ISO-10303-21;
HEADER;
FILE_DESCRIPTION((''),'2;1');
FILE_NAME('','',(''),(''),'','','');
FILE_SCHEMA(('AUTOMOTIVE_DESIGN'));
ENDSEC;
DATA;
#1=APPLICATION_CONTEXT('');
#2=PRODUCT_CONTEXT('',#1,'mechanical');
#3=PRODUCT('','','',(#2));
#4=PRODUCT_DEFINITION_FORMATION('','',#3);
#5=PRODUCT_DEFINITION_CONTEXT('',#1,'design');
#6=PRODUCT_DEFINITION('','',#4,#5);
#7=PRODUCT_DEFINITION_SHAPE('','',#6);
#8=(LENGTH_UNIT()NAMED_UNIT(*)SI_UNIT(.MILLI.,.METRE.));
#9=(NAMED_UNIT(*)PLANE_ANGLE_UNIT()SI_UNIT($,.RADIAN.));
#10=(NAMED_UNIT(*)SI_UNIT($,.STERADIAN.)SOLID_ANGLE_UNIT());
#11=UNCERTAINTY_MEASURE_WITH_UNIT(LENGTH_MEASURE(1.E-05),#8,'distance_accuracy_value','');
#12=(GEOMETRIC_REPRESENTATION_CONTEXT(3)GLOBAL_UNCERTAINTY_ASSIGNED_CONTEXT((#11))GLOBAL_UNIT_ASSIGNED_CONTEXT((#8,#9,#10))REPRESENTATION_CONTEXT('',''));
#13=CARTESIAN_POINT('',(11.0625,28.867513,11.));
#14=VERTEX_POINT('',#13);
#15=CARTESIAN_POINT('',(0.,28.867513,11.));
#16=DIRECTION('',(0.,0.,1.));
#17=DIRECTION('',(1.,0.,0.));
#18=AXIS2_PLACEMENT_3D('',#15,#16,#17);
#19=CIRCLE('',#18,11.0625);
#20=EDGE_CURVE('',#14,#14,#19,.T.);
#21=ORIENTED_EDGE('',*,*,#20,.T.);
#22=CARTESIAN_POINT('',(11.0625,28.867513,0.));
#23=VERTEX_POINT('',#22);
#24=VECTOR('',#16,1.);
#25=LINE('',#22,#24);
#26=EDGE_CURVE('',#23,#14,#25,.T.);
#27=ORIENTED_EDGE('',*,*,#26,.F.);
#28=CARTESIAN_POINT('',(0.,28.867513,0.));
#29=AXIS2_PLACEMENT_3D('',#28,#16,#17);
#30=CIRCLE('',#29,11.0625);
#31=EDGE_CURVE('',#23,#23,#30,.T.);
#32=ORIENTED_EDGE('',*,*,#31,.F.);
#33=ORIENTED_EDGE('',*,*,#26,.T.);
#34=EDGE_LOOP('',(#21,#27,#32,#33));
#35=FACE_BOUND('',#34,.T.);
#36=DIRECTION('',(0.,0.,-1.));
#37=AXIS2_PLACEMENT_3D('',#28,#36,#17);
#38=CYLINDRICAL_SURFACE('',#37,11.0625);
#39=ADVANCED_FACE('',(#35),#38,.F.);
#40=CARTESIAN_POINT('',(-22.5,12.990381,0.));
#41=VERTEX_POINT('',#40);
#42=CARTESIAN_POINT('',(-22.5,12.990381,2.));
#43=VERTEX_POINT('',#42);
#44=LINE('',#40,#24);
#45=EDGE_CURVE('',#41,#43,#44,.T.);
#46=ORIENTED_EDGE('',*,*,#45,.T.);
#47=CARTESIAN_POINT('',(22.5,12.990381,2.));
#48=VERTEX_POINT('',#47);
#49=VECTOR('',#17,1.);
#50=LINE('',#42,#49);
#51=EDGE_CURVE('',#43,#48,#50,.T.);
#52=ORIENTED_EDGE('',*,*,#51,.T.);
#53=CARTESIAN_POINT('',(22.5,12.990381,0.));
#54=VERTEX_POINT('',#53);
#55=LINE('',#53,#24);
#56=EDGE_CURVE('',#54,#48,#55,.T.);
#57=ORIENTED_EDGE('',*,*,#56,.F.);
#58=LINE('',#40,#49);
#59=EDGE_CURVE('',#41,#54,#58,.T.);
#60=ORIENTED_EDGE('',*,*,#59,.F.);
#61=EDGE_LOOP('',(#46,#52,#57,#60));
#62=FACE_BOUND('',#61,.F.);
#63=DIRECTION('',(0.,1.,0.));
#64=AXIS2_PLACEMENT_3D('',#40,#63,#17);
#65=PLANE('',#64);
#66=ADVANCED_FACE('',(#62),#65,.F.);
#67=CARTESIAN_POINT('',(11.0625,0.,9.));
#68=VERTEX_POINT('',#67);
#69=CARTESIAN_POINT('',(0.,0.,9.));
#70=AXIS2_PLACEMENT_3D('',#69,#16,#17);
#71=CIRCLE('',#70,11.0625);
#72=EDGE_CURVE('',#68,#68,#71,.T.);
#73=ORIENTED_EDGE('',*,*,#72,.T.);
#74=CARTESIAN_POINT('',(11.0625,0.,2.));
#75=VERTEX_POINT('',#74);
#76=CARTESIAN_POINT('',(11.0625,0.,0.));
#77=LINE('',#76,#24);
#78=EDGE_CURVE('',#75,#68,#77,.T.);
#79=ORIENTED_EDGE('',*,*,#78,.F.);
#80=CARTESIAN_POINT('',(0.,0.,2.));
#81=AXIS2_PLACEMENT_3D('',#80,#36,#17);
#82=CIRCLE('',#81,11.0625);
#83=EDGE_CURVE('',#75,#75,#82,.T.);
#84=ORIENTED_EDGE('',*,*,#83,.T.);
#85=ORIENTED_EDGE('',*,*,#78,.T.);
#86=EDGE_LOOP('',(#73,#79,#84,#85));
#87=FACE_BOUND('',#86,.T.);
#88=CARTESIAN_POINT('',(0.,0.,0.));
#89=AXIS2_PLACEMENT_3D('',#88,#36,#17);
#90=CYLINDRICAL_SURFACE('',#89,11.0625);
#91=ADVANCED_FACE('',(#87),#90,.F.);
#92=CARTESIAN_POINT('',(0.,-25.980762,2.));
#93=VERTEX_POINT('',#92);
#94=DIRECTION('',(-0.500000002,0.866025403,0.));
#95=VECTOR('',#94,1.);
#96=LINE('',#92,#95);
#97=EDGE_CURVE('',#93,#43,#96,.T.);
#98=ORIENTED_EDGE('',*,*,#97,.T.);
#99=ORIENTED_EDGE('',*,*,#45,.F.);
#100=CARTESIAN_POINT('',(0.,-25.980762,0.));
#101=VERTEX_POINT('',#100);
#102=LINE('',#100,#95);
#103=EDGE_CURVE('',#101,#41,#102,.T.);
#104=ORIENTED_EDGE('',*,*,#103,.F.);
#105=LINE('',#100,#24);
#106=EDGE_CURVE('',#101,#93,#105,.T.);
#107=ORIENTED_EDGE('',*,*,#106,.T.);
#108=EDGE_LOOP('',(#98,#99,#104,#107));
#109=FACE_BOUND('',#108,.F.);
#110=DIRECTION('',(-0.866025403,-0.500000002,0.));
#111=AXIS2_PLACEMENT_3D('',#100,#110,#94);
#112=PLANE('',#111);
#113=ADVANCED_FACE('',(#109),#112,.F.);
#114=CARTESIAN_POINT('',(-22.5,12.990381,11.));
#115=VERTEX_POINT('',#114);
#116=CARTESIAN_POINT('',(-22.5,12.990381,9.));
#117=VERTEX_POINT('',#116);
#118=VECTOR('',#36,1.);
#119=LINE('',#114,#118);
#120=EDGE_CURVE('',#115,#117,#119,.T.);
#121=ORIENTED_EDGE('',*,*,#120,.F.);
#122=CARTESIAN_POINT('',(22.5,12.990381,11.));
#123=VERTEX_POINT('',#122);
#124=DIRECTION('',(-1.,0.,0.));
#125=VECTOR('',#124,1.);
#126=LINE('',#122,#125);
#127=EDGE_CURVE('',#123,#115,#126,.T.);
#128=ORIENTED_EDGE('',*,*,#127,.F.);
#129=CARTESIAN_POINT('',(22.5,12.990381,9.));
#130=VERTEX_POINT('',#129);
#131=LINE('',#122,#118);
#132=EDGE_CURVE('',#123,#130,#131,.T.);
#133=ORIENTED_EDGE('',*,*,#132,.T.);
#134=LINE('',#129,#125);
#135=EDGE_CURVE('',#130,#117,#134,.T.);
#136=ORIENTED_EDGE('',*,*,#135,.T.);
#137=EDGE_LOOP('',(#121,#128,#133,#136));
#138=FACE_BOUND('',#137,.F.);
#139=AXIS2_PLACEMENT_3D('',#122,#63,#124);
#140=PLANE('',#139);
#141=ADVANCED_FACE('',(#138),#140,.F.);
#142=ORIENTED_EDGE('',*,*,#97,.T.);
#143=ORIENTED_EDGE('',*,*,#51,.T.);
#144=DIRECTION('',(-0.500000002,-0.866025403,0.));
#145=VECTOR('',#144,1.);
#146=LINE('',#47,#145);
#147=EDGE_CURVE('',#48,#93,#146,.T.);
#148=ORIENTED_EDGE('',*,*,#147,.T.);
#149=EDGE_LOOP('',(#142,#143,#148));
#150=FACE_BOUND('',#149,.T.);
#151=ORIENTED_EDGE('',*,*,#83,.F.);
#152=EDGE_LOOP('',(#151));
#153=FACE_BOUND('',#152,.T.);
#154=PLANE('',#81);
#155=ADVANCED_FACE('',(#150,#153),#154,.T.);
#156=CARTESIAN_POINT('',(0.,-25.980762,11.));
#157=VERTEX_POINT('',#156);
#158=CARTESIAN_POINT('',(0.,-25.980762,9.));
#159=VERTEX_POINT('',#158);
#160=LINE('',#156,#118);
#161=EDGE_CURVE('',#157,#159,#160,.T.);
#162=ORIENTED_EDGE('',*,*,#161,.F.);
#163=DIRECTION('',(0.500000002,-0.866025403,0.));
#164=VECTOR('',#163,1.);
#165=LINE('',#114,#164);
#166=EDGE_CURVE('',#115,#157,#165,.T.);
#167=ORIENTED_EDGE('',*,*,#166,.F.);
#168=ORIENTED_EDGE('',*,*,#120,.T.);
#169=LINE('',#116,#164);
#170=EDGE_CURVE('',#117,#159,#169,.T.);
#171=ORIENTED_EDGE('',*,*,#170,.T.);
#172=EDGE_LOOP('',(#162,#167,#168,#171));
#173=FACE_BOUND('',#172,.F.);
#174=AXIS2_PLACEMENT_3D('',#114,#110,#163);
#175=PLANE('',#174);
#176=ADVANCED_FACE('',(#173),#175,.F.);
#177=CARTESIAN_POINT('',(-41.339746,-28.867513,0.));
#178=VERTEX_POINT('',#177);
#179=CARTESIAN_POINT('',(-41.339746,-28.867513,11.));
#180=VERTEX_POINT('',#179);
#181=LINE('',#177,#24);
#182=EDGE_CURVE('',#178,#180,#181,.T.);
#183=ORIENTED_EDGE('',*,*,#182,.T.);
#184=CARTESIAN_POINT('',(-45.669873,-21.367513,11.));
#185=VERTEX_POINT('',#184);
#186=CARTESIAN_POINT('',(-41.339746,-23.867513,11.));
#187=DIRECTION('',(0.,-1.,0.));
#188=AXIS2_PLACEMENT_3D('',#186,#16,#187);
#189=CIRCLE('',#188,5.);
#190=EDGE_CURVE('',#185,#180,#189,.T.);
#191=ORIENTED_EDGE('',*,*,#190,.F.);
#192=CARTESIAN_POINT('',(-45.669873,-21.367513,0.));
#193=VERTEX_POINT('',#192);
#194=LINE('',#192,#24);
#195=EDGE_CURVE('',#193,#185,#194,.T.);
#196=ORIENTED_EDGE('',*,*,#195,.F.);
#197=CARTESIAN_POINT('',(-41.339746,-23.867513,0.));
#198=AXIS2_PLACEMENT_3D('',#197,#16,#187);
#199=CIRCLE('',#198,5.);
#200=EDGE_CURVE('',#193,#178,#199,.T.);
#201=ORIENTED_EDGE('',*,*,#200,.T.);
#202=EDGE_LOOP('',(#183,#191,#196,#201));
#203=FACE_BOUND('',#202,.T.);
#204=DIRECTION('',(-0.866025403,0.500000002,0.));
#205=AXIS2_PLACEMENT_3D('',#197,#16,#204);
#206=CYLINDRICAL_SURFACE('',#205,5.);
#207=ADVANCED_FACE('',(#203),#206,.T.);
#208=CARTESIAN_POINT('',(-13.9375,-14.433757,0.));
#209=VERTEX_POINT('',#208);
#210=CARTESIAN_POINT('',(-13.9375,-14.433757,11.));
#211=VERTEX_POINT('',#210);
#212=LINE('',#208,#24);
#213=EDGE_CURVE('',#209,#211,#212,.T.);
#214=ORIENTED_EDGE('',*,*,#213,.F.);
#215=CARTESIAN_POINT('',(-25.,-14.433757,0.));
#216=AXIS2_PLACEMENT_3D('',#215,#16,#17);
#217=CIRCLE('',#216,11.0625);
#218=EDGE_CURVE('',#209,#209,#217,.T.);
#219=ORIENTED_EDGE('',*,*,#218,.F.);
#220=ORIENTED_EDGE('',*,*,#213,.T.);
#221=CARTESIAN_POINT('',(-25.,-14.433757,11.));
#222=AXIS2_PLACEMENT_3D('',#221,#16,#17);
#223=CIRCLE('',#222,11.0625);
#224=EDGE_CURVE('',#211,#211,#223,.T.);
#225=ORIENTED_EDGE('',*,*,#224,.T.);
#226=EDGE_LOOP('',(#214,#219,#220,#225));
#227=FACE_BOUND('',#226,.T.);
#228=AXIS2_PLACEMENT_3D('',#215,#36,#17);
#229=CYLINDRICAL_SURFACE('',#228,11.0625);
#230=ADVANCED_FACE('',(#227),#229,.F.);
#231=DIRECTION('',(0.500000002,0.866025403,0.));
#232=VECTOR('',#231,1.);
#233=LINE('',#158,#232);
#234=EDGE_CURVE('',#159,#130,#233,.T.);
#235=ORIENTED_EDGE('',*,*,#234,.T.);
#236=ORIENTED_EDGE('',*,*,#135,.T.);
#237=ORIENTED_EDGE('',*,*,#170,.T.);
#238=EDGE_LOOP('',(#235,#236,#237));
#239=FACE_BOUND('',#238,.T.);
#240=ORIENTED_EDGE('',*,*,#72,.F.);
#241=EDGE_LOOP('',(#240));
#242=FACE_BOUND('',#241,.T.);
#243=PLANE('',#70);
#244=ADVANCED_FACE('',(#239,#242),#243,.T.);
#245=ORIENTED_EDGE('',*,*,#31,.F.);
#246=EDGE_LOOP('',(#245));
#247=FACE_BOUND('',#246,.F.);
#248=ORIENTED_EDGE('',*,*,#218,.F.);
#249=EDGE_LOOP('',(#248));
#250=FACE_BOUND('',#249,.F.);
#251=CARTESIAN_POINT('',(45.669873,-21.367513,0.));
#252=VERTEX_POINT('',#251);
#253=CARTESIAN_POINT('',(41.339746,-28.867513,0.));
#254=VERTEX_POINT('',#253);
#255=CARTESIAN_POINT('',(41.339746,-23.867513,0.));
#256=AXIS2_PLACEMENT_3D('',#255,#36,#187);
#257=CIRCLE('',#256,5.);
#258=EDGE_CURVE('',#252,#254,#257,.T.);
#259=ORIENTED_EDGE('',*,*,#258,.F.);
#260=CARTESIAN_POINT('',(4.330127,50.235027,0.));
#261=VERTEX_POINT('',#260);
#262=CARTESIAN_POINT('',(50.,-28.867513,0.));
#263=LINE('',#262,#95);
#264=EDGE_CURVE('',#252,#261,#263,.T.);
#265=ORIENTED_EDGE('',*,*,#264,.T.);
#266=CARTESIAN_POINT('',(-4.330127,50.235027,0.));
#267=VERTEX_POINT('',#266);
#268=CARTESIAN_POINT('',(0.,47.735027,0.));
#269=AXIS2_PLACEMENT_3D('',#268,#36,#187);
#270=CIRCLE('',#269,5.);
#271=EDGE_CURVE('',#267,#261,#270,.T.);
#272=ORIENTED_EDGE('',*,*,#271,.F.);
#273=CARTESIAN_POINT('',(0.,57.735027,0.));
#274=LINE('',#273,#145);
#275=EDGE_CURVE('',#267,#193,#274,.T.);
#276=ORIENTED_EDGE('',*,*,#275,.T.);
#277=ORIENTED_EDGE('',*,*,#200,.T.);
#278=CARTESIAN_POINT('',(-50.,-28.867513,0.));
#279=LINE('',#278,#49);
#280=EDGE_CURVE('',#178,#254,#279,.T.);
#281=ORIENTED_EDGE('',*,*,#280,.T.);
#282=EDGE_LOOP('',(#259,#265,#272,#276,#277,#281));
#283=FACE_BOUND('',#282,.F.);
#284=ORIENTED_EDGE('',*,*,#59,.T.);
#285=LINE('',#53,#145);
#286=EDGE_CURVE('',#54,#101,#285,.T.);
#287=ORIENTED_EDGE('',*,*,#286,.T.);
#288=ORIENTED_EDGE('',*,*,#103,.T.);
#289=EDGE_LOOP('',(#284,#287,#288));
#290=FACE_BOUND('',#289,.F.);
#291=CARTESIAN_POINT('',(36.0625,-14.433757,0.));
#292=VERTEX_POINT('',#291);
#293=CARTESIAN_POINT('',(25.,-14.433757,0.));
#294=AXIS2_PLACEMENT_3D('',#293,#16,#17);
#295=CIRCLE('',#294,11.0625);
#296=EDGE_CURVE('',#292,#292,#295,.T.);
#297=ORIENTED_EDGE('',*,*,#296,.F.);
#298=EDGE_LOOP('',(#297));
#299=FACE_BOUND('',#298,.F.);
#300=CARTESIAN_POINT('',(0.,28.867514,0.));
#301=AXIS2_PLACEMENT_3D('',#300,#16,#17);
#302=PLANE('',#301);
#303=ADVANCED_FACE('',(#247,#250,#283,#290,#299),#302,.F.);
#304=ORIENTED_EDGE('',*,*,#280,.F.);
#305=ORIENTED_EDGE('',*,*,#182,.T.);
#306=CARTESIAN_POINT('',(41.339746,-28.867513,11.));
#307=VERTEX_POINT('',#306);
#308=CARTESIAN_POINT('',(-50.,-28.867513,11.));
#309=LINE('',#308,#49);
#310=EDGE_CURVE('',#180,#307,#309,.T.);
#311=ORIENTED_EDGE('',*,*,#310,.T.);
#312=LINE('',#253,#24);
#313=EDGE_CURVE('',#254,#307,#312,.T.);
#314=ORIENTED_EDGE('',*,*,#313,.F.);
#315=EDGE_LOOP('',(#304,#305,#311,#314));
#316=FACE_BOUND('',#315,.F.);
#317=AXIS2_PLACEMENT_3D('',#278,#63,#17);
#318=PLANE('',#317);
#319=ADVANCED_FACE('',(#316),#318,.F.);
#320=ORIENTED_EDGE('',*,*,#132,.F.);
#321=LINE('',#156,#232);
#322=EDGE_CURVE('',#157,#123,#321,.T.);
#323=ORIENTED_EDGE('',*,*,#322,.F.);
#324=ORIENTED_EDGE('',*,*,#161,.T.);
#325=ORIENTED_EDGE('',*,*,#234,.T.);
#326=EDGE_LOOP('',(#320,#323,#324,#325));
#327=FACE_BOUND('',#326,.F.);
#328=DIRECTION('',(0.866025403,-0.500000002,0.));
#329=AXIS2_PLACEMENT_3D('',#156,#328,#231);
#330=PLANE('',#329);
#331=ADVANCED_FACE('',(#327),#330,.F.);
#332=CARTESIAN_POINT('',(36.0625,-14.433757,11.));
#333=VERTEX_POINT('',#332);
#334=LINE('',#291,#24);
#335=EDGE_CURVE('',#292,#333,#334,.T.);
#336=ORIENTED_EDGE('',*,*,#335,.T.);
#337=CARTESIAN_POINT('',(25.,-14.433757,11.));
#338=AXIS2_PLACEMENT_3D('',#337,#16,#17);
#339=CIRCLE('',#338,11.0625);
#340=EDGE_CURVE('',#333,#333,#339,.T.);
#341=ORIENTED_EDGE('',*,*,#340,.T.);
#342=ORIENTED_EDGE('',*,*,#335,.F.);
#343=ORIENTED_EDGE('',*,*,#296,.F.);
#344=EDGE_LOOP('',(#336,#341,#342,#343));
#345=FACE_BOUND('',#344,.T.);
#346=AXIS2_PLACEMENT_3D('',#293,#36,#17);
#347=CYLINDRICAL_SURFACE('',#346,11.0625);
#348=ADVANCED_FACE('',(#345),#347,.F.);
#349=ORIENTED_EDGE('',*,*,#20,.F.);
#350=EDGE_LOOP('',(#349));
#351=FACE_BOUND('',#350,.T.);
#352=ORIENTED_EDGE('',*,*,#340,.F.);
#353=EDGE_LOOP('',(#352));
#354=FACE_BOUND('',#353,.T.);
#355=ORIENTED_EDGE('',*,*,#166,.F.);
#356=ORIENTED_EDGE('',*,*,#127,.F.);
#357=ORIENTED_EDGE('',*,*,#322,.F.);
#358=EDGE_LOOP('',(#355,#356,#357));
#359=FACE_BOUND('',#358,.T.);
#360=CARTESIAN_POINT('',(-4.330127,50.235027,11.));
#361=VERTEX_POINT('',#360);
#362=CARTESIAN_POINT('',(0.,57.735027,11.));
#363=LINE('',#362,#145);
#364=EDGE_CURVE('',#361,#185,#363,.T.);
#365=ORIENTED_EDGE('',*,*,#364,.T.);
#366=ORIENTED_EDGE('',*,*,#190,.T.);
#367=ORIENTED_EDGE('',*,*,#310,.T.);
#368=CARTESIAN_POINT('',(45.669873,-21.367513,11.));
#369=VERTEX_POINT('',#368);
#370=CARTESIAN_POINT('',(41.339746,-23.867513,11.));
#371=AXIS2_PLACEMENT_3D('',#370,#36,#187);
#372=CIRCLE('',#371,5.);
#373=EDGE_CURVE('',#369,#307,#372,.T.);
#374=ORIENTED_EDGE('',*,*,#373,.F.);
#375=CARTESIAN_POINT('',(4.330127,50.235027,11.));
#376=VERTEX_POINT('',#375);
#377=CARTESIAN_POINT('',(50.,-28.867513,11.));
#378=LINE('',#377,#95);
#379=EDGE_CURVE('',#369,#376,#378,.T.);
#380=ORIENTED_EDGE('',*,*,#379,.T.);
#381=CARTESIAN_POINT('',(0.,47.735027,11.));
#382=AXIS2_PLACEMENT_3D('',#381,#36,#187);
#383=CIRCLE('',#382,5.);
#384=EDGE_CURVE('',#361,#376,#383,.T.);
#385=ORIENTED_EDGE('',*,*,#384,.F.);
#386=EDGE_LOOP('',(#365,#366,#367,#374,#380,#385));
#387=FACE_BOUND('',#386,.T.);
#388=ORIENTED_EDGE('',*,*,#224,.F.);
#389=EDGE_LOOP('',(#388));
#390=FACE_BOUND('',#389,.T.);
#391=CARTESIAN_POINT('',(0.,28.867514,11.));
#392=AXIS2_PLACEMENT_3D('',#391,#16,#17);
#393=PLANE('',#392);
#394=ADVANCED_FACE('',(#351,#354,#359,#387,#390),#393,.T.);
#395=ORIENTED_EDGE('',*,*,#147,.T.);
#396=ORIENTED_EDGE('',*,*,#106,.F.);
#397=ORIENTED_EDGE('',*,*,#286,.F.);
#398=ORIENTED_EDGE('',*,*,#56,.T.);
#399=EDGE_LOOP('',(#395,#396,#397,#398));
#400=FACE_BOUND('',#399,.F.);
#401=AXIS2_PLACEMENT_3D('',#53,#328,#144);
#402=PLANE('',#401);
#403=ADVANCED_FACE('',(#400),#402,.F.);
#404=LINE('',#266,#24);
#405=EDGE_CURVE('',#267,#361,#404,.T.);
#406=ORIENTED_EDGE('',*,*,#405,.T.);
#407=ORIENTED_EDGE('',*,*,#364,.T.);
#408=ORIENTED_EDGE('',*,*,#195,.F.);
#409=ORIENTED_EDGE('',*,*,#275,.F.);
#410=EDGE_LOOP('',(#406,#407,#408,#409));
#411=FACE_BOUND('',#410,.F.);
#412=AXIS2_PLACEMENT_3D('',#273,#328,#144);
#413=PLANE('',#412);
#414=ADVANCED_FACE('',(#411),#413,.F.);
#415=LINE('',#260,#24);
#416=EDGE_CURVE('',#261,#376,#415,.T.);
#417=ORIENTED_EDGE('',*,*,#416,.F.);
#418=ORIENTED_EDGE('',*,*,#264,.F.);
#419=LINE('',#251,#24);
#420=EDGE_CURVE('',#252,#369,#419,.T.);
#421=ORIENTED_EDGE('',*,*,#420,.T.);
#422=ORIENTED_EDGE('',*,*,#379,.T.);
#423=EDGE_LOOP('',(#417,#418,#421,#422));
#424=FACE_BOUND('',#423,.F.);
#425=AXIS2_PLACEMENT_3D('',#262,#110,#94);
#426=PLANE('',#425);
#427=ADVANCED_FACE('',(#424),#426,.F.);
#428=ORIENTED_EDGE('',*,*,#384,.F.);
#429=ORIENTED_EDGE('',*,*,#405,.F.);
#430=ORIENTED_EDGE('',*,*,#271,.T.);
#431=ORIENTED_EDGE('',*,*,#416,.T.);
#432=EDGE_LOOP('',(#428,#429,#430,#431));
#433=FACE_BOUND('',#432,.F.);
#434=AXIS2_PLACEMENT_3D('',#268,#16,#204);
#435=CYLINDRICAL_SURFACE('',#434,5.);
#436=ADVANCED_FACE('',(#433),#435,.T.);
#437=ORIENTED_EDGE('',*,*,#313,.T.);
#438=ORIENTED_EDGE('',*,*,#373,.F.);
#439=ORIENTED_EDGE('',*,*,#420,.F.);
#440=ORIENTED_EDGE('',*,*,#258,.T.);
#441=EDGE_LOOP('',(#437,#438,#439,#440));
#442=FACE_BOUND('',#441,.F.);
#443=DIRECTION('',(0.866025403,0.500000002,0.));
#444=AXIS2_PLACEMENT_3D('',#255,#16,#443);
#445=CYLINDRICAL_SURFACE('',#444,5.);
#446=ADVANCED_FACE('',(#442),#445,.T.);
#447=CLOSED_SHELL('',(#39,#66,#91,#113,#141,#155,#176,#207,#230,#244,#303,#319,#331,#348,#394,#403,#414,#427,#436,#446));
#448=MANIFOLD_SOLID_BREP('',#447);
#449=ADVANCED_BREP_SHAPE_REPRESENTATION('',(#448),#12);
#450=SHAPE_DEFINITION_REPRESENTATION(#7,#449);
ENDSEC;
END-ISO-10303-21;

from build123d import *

# Parameters (mm, degrees)
F0_R     = 11.0625
F1_DEPTH = 11
F2_R     = 5
F3_R     = 11.0625
F4_DEPTH = 2
F6_DEPTH = 2


with BuildPart() as f1:
    # F0 (on Top) → F1 (new body)
    with BuildSketch(Plane.XY):
        Polygon((25, 14.433757), (0, 57.735027), (-25, 14.433757), align=None)
        with Locations((0, 28.867513)):
            Circle(F0_R, mode=Mode.SUBTRACT)
        Polygon((0, -28.867513), (-25, 14.433757), (-50, -28.867513), align=None)
        with Locations((-25, -14.433757)):
            Circle(F0_R, mode=Mode.SUBTRACT)
        Polygon((50, -28.867513), (25, 14.433757), (0, -28.867513), align=None)
        with Locations((25, -14.433757)):
            Circle(F0_R, mode=Mode.SUBTRACT)
        Polygon((25, 14.433757), (-25, 14.433757), (0, -28.867513), align=None)
        Circle(F0_R, mode=Mode.SUBTRACT)
    extrude(amount=F1_DEPTH)

    # F2
    f2_edges = [f1.edges().sort_by_distance(p)[0] for p in [
        (50, -28.867513, 5.5),
        (0, 57.735027, 5.5),
        (-50, -28.867513, 5.5),
    ]]
    fillet(f2_edges, radius=F2_R)

    # F3 (on face) → F4 (cut)
    with BuildSketch(Plane.XY.offset(11)):
        Polygon((-22.5, 12.990381), (0, -25.980762), (22.5, 12.990381), align=None)
        Circle(F3_R, mode=Mode.SUBTRACT)
    extrude(amount=-F4_DEPTH, mode=Mode.SUBTRACT)

    # F5 (on face) → F6 (cut)
    with BuildSketch(Plane(origin=(0, 0, 0), x_dir=(1, 0, 0), z_dir=(0, 0, -1))):
        Polygon((-22.5, -12.990381), (22.5, -12.990381), (0, 25.980762), align=None)
    extrude(amount=-F6_DEPTH, mode=Mode.SUBTRACT)


solid = f1.part
